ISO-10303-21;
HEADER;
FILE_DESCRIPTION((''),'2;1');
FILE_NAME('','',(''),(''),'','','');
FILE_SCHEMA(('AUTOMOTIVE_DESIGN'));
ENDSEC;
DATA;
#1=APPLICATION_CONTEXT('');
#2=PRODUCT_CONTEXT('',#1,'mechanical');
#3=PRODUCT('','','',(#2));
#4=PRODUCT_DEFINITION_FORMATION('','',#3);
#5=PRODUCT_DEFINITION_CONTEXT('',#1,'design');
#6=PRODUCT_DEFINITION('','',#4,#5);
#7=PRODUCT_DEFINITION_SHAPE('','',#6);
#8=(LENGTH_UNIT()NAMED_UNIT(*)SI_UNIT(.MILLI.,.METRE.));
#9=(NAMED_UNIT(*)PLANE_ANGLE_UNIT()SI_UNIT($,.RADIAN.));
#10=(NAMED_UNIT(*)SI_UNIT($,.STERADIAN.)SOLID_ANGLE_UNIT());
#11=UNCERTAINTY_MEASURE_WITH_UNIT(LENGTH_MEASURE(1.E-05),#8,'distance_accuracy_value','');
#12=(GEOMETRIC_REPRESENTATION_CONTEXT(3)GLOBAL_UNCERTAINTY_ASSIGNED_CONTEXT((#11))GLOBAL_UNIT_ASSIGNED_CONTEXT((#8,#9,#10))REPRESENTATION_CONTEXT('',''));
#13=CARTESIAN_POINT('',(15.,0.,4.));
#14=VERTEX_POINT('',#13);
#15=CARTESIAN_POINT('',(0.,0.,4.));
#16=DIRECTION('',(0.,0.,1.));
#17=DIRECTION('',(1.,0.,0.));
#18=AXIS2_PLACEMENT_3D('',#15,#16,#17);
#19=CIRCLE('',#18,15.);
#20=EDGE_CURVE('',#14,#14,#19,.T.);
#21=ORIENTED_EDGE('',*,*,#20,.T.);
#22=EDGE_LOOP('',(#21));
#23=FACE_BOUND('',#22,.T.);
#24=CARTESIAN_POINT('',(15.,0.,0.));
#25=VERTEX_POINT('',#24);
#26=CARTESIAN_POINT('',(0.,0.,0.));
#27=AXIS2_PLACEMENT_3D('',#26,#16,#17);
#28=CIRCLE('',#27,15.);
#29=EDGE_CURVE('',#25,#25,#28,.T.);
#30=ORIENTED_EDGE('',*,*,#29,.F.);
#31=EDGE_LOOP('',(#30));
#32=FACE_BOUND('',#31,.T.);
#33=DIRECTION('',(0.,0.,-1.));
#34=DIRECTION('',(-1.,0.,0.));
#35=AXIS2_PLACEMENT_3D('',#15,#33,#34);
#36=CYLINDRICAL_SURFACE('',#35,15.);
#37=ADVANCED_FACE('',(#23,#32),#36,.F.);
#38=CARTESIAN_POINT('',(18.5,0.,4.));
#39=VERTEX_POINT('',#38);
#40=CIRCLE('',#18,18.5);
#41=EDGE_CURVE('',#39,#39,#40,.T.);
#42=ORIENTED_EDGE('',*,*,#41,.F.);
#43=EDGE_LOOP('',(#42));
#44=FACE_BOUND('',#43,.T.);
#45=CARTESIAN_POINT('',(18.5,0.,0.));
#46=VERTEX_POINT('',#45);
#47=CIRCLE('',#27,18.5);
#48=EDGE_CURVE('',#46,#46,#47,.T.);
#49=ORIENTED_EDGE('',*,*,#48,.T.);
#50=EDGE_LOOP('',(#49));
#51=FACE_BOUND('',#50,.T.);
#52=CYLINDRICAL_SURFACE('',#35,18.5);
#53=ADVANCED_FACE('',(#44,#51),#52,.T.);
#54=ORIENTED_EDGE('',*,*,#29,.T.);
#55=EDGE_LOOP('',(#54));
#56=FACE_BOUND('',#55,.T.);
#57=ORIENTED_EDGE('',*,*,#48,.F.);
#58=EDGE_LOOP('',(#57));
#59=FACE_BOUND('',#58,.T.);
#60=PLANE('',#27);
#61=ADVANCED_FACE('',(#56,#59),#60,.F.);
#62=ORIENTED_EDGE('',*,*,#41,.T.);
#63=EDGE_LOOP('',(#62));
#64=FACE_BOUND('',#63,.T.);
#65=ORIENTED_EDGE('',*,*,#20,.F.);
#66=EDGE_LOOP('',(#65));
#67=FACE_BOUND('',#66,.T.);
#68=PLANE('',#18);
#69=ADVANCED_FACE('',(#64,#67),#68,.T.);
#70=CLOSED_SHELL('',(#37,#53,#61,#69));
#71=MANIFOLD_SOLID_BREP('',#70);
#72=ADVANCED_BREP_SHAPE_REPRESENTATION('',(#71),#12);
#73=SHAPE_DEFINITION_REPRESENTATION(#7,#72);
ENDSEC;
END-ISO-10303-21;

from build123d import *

# Parameters (mm, degrees)
SKETCH_1_R      = 18.5
SKETCH_1_R_2    = 15
EXTRUDE_1_DEPTH = 4


with BuildPart() as part:
    # 草图1 → 凸台-拉伸1 (new body)
    with BuildSketch(Plane.XY):
        Circle(SKETCH_1_R)
        Circle(SKETCH_1_R_2, mode=Mode.SUBTRACT)
    extrude(amount=EXTRUDE_1_DEPTH)


solid = part.part
